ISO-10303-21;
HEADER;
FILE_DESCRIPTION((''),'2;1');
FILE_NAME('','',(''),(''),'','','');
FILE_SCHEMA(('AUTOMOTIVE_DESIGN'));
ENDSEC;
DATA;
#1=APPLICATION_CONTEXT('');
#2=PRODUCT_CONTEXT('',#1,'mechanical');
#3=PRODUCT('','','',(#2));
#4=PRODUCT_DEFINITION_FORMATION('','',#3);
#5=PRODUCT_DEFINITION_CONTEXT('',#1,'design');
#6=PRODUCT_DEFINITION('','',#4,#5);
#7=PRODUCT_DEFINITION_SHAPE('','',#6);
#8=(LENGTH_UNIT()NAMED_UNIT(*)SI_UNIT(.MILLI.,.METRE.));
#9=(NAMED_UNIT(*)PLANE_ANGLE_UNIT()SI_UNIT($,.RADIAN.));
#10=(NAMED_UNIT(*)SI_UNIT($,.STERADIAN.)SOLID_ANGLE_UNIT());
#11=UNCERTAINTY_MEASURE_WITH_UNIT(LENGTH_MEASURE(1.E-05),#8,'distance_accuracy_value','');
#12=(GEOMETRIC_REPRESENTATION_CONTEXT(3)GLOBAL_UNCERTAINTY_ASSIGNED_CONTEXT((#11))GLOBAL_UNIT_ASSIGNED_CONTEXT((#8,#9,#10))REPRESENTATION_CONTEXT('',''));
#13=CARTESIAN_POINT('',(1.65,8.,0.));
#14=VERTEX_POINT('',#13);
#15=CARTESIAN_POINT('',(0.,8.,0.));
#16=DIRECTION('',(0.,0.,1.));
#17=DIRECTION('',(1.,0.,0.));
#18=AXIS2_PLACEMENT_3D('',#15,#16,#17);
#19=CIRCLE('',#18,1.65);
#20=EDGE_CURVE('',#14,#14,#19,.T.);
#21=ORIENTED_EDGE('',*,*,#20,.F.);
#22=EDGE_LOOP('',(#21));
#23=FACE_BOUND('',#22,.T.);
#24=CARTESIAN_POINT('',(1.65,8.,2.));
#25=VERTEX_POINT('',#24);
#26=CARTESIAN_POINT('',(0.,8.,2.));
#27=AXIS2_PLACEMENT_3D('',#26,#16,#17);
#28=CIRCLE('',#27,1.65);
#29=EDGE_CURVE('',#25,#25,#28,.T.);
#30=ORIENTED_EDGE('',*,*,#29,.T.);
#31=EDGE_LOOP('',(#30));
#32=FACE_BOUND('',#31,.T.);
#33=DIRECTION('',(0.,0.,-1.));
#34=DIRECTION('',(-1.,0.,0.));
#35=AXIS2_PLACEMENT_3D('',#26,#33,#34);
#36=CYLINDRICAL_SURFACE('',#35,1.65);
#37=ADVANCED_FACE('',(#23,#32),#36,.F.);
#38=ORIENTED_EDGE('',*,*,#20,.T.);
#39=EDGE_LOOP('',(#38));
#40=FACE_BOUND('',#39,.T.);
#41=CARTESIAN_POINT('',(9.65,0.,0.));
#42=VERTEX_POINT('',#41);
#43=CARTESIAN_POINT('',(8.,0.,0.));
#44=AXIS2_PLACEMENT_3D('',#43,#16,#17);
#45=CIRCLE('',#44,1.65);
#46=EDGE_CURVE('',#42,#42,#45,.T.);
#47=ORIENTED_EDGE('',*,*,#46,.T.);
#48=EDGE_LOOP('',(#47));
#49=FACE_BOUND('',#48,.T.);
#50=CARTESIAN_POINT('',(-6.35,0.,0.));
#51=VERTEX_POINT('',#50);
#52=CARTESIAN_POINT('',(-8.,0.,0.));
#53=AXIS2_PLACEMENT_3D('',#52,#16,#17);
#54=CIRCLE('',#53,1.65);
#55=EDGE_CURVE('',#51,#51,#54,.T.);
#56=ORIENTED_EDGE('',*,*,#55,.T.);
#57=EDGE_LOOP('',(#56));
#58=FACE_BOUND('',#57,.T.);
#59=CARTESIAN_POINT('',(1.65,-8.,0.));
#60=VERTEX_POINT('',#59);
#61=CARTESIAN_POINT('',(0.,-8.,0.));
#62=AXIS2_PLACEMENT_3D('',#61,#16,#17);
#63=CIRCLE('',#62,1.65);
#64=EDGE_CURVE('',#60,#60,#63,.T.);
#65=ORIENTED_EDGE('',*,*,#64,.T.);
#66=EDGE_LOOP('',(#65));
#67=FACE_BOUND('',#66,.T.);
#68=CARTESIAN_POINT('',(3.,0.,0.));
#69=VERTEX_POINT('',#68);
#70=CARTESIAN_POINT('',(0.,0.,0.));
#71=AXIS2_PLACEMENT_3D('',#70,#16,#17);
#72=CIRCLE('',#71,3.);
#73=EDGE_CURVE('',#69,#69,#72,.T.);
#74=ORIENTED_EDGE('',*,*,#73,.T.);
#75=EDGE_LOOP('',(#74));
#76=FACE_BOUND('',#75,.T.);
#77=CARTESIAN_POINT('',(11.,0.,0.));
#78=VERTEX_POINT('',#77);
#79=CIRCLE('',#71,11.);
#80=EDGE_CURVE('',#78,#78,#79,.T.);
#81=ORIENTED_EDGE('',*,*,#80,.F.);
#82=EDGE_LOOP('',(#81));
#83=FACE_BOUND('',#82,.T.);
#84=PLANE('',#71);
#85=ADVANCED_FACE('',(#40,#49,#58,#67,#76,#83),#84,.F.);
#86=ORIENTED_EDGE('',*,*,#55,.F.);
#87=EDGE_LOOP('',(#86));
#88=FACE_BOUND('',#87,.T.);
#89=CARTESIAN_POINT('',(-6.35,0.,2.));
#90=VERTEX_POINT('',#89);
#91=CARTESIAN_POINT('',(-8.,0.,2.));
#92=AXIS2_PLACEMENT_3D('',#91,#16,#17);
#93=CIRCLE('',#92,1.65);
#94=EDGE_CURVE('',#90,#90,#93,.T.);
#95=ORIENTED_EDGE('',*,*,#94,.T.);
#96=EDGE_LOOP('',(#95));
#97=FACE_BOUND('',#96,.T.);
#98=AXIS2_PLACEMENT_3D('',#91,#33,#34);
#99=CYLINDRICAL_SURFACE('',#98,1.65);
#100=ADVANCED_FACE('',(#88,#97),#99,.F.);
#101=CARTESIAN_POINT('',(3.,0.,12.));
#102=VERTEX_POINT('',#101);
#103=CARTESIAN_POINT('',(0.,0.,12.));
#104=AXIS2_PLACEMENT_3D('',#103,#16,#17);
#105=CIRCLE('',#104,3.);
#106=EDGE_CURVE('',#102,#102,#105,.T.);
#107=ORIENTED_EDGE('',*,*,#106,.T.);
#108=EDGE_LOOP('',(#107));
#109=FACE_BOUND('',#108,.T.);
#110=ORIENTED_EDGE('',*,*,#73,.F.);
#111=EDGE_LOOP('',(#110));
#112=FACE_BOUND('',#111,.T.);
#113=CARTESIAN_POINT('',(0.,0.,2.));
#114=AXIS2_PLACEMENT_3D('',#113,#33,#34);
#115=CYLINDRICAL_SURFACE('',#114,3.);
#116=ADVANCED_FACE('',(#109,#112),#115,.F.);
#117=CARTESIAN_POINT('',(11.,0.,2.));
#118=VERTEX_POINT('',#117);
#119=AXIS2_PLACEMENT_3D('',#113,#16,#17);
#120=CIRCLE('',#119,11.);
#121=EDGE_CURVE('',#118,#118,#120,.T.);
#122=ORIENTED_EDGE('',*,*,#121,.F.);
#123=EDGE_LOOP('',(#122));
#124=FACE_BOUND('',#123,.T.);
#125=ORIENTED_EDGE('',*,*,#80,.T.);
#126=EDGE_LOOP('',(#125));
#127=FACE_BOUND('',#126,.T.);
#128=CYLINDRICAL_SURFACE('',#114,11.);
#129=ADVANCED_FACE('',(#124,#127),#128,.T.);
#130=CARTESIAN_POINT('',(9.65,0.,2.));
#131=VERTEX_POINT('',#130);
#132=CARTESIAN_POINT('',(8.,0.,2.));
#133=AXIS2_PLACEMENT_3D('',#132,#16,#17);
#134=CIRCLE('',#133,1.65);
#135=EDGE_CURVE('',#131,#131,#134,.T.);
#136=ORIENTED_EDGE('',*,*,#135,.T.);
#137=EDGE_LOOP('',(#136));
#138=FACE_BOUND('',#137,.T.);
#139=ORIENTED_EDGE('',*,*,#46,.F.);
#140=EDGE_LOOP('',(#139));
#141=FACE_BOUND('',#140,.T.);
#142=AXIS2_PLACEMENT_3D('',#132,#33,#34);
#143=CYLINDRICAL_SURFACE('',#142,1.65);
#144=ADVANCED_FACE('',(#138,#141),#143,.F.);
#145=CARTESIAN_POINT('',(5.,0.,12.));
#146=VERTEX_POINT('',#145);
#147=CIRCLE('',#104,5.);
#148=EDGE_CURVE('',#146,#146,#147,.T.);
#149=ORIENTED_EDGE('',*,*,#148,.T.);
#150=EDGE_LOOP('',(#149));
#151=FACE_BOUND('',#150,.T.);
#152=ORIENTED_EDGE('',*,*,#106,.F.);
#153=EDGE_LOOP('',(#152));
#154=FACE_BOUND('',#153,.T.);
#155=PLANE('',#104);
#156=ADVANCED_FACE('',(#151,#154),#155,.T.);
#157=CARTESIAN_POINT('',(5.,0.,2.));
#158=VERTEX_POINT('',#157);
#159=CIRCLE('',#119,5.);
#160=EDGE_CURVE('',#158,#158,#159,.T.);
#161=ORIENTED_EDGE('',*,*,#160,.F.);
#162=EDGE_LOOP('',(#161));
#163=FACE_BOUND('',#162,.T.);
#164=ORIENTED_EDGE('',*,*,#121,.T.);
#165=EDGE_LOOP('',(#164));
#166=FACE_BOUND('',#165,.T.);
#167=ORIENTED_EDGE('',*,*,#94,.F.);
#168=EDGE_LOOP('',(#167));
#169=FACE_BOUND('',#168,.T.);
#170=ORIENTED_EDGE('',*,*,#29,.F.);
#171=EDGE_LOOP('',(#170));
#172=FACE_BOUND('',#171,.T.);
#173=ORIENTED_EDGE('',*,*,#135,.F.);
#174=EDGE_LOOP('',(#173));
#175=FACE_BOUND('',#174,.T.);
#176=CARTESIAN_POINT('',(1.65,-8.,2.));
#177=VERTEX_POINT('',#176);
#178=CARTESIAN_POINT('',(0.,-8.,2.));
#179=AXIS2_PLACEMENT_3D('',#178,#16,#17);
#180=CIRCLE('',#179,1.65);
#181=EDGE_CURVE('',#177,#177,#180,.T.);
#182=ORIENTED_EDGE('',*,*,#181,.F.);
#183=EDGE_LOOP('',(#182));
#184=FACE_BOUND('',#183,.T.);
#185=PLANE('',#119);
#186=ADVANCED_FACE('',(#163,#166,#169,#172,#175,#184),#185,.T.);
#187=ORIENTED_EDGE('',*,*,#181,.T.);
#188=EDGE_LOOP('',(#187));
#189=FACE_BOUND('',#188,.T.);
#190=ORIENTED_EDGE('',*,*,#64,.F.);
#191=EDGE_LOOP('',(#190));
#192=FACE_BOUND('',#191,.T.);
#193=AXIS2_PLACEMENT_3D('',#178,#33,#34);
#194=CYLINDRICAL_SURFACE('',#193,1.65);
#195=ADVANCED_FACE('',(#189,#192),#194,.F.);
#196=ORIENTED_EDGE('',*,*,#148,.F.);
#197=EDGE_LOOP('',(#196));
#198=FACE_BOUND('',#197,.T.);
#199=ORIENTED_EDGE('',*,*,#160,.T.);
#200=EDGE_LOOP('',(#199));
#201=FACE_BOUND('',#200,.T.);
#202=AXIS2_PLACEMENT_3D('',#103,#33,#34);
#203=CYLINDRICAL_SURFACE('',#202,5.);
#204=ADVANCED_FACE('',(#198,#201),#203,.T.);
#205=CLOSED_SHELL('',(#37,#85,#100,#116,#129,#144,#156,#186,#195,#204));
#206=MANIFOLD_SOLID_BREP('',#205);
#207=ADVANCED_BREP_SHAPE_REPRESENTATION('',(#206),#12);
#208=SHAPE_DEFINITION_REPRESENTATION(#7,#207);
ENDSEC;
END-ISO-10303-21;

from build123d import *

# Parameters (mm, degrees)
SKETCH_1_R      = 11
SKETCH_1_R_2    = 3
SKETCH_1_R_3    = 1.65
EXTRUDE_1_DEPTH = 2
SKETCH_2_R      = 5
SKETCH_2_R_2    = 3
EXTRUDE_2_DEPTH = 10


with BuildPart() as part:
    # 草图1 → 凸台-拉伸1 (new body)
    with BuildSketch(Plane.XY):
        Circle(SKETCH_1_R)
        Circle(SKETCH_1_R_2, mode=Mode.SUBTRACT)
        with Locations((0, 8)):
            Circle(SKETCH_1_R_3, mode=Mode.SUBTRACT)
        with Locations((8, 0)):
            Circle(SKETCH_1_R_3, mode=Mode.SUBTRACT)
        with Locations((0, -8)):
            Circle(SKETCH_1_R_3, mode=Mode.SUBTRACT)
        with Locations((-8, 0)):
            Circle(SKETCH_1_R_3, mode=Mode.SUBTRACT)
    extrude(amount=EXTRUDE_1_DEPTH)

    # 草图2 → 凸台-拉伸2 (add)
    with BuildSketch(Plane.XY.offset(2)):
        Circle(SKETCH_2_R)
        Circle(SKETCH_2_R_2, mode=Mode.SUBTRACT)
    extrude(amount=EXTRUDE_2_DEPTH)


solid = part.part
